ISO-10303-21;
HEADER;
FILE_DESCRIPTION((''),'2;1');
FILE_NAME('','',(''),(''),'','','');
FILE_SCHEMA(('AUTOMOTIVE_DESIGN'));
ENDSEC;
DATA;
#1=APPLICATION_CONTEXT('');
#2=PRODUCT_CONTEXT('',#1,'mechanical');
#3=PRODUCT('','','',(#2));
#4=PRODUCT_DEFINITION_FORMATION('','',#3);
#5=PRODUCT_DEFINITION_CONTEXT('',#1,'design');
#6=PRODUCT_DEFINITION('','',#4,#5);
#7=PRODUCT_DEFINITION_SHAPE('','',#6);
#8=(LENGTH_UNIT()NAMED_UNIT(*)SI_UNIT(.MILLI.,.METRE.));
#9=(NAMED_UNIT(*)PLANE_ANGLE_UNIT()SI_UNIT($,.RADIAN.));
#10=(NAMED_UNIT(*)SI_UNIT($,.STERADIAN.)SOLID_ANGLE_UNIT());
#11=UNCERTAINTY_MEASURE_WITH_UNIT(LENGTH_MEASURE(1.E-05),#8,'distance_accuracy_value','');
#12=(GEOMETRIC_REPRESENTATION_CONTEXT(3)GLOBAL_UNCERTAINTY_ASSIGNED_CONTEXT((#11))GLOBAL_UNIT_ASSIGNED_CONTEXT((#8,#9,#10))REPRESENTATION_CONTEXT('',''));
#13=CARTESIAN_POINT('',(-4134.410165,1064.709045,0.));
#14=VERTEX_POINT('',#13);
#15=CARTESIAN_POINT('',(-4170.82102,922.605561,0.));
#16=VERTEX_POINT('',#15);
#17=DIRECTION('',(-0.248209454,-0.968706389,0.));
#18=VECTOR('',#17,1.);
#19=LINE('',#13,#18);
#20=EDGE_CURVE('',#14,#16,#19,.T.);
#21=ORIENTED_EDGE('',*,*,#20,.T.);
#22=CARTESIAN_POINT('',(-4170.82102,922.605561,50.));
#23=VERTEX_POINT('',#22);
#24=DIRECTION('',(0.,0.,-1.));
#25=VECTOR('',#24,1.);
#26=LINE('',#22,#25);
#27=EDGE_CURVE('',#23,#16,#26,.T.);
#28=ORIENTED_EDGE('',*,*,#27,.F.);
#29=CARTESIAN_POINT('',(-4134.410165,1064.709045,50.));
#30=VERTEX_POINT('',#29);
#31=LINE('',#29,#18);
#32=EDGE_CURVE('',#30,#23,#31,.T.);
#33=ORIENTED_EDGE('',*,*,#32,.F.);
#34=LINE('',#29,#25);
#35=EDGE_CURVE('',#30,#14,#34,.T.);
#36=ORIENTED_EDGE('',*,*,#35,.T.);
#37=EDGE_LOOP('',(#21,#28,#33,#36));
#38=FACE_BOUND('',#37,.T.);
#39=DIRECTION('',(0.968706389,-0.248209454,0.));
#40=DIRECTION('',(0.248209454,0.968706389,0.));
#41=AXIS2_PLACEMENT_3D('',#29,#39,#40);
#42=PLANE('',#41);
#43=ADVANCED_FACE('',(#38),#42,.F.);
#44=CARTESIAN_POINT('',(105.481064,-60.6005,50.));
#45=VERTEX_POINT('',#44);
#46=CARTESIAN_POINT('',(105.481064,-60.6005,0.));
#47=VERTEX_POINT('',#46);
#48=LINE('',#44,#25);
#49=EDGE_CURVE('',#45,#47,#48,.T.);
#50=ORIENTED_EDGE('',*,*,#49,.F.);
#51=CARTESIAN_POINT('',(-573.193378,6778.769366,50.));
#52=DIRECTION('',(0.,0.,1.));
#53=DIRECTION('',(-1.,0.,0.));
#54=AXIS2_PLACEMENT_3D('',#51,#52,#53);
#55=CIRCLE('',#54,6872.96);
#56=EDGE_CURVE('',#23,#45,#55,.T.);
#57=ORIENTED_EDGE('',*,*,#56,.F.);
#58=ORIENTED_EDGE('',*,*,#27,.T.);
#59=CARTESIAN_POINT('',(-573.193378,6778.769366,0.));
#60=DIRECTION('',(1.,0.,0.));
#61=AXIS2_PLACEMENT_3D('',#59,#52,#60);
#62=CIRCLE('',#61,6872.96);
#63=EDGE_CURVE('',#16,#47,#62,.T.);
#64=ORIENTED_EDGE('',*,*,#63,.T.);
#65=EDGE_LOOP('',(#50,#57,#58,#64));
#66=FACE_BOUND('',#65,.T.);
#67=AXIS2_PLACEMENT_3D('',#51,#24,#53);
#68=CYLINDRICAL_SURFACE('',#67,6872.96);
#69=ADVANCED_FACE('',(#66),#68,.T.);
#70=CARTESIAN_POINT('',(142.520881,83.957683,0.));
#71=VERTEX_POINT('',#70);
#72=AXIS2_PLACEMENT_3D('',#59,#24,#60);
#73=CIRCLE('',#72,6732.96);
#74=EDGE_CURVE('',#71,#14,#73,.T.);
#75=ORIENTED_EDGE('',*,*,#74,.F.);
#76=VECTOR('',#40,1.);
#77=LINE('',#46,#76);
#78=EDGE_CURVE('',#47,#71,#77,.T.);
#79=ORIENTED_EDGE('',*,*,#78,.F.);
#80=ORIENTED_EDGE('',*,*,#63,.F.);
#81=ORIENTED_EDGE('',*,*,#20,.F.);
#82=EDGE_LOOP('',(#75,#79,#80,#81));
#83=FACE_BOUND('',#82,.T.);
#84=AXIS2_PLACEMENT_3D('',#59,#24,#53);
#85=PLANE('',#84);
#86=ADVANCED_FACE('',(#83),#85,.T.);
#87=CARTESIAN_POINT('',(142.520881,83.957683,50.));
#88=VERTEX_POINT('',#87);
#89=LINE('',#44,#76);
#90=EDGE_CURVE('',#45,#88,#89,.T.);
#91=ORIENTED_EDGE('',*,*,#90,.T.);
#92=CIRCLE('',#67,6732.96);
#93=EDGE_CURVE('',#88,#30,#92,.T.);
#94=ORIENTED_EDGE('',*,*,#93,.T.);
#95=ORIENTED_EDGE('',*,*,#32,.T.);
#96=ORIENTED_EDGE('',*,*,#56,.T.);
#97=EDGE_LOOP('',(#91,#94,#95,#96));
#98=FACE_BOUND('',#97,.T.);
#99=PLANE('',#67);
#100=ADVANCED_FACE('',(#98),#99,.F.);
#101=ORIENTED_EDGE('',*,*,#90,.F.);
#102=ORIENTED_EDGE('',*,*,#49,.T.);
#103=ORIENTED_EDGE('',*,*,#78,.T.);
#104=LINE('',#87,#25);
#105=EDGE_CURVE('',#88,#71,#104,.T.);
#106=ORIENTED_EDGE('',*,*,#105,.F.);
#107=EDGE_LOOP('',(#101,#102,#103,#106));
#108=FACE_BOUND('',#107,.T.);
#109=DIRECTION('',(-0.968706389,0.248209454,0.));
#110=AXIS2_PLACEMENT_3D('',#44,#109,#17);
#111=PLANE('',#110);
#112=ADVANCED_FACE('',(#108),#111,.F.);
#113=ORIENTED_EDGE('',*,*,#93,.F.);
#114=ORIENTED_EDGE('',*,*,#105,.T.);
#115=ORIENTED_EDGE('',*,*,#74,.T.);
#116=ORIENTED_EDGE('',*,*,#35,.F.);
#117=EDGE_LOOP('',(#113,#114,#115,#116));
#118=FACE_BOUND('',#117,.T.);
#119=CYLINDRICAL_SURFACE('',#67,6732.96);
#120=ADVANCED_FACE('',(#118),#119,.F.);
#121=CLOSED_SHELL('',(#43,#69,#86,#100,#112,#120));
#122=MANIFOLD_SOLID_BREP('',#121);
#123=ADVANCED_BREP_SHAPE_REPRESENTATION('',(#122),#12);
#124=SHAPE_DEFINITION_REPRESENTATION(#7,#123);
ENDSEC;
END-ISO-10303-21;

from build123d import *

# Parameters (mm, degrees)
BOSS_EXTRUDE1_DEPTH = 50


with BuildPart() as part:
    # Sketch1 → Boss-Extrude1 (new body)
    with BuildSketch(Plane.XY):
        with BuildLine():
            Line((105.481064022, -60.600500284), (142.520881473, 83.95768345))
            ThreePointArc((142.520881473, 83.95768345), (68.350790111, 76.443542351), (-5.897952721, 69.751087115))
            ThreePointArc((-5.897952721, 69.751087115), (-2066.112263244, 213.410002875), (-3985.865660325, 974.769171568))
            ThreePointArc((-3985.865660325, 974.769171568), (-4060.427881722, 1019.260195983), (-4134.410165272, 1064.709044526))
            Line((-4134.410165272, 1064.709044526), (-4170.821020404, 922.605561078))
            ThreePointArc((-4170.821020404, 922.605561078), (-4113.989335475, 888.069649409), (-4056.826147178, 854.085248423))
            ThreePointArc((-4056.826147178, 854.085248423), (-2097.154872136, 76.894961824), (5.897952721, -69.751087115))
            ThreePointArc((5.897952721, -69.751087115), (55.706151401, -65.356914833), (105.481064022, -60.600500284))
        make_face()
    extrude(amount=BOSS_EXTRUDE1_DEPTH)


solid = part.part
